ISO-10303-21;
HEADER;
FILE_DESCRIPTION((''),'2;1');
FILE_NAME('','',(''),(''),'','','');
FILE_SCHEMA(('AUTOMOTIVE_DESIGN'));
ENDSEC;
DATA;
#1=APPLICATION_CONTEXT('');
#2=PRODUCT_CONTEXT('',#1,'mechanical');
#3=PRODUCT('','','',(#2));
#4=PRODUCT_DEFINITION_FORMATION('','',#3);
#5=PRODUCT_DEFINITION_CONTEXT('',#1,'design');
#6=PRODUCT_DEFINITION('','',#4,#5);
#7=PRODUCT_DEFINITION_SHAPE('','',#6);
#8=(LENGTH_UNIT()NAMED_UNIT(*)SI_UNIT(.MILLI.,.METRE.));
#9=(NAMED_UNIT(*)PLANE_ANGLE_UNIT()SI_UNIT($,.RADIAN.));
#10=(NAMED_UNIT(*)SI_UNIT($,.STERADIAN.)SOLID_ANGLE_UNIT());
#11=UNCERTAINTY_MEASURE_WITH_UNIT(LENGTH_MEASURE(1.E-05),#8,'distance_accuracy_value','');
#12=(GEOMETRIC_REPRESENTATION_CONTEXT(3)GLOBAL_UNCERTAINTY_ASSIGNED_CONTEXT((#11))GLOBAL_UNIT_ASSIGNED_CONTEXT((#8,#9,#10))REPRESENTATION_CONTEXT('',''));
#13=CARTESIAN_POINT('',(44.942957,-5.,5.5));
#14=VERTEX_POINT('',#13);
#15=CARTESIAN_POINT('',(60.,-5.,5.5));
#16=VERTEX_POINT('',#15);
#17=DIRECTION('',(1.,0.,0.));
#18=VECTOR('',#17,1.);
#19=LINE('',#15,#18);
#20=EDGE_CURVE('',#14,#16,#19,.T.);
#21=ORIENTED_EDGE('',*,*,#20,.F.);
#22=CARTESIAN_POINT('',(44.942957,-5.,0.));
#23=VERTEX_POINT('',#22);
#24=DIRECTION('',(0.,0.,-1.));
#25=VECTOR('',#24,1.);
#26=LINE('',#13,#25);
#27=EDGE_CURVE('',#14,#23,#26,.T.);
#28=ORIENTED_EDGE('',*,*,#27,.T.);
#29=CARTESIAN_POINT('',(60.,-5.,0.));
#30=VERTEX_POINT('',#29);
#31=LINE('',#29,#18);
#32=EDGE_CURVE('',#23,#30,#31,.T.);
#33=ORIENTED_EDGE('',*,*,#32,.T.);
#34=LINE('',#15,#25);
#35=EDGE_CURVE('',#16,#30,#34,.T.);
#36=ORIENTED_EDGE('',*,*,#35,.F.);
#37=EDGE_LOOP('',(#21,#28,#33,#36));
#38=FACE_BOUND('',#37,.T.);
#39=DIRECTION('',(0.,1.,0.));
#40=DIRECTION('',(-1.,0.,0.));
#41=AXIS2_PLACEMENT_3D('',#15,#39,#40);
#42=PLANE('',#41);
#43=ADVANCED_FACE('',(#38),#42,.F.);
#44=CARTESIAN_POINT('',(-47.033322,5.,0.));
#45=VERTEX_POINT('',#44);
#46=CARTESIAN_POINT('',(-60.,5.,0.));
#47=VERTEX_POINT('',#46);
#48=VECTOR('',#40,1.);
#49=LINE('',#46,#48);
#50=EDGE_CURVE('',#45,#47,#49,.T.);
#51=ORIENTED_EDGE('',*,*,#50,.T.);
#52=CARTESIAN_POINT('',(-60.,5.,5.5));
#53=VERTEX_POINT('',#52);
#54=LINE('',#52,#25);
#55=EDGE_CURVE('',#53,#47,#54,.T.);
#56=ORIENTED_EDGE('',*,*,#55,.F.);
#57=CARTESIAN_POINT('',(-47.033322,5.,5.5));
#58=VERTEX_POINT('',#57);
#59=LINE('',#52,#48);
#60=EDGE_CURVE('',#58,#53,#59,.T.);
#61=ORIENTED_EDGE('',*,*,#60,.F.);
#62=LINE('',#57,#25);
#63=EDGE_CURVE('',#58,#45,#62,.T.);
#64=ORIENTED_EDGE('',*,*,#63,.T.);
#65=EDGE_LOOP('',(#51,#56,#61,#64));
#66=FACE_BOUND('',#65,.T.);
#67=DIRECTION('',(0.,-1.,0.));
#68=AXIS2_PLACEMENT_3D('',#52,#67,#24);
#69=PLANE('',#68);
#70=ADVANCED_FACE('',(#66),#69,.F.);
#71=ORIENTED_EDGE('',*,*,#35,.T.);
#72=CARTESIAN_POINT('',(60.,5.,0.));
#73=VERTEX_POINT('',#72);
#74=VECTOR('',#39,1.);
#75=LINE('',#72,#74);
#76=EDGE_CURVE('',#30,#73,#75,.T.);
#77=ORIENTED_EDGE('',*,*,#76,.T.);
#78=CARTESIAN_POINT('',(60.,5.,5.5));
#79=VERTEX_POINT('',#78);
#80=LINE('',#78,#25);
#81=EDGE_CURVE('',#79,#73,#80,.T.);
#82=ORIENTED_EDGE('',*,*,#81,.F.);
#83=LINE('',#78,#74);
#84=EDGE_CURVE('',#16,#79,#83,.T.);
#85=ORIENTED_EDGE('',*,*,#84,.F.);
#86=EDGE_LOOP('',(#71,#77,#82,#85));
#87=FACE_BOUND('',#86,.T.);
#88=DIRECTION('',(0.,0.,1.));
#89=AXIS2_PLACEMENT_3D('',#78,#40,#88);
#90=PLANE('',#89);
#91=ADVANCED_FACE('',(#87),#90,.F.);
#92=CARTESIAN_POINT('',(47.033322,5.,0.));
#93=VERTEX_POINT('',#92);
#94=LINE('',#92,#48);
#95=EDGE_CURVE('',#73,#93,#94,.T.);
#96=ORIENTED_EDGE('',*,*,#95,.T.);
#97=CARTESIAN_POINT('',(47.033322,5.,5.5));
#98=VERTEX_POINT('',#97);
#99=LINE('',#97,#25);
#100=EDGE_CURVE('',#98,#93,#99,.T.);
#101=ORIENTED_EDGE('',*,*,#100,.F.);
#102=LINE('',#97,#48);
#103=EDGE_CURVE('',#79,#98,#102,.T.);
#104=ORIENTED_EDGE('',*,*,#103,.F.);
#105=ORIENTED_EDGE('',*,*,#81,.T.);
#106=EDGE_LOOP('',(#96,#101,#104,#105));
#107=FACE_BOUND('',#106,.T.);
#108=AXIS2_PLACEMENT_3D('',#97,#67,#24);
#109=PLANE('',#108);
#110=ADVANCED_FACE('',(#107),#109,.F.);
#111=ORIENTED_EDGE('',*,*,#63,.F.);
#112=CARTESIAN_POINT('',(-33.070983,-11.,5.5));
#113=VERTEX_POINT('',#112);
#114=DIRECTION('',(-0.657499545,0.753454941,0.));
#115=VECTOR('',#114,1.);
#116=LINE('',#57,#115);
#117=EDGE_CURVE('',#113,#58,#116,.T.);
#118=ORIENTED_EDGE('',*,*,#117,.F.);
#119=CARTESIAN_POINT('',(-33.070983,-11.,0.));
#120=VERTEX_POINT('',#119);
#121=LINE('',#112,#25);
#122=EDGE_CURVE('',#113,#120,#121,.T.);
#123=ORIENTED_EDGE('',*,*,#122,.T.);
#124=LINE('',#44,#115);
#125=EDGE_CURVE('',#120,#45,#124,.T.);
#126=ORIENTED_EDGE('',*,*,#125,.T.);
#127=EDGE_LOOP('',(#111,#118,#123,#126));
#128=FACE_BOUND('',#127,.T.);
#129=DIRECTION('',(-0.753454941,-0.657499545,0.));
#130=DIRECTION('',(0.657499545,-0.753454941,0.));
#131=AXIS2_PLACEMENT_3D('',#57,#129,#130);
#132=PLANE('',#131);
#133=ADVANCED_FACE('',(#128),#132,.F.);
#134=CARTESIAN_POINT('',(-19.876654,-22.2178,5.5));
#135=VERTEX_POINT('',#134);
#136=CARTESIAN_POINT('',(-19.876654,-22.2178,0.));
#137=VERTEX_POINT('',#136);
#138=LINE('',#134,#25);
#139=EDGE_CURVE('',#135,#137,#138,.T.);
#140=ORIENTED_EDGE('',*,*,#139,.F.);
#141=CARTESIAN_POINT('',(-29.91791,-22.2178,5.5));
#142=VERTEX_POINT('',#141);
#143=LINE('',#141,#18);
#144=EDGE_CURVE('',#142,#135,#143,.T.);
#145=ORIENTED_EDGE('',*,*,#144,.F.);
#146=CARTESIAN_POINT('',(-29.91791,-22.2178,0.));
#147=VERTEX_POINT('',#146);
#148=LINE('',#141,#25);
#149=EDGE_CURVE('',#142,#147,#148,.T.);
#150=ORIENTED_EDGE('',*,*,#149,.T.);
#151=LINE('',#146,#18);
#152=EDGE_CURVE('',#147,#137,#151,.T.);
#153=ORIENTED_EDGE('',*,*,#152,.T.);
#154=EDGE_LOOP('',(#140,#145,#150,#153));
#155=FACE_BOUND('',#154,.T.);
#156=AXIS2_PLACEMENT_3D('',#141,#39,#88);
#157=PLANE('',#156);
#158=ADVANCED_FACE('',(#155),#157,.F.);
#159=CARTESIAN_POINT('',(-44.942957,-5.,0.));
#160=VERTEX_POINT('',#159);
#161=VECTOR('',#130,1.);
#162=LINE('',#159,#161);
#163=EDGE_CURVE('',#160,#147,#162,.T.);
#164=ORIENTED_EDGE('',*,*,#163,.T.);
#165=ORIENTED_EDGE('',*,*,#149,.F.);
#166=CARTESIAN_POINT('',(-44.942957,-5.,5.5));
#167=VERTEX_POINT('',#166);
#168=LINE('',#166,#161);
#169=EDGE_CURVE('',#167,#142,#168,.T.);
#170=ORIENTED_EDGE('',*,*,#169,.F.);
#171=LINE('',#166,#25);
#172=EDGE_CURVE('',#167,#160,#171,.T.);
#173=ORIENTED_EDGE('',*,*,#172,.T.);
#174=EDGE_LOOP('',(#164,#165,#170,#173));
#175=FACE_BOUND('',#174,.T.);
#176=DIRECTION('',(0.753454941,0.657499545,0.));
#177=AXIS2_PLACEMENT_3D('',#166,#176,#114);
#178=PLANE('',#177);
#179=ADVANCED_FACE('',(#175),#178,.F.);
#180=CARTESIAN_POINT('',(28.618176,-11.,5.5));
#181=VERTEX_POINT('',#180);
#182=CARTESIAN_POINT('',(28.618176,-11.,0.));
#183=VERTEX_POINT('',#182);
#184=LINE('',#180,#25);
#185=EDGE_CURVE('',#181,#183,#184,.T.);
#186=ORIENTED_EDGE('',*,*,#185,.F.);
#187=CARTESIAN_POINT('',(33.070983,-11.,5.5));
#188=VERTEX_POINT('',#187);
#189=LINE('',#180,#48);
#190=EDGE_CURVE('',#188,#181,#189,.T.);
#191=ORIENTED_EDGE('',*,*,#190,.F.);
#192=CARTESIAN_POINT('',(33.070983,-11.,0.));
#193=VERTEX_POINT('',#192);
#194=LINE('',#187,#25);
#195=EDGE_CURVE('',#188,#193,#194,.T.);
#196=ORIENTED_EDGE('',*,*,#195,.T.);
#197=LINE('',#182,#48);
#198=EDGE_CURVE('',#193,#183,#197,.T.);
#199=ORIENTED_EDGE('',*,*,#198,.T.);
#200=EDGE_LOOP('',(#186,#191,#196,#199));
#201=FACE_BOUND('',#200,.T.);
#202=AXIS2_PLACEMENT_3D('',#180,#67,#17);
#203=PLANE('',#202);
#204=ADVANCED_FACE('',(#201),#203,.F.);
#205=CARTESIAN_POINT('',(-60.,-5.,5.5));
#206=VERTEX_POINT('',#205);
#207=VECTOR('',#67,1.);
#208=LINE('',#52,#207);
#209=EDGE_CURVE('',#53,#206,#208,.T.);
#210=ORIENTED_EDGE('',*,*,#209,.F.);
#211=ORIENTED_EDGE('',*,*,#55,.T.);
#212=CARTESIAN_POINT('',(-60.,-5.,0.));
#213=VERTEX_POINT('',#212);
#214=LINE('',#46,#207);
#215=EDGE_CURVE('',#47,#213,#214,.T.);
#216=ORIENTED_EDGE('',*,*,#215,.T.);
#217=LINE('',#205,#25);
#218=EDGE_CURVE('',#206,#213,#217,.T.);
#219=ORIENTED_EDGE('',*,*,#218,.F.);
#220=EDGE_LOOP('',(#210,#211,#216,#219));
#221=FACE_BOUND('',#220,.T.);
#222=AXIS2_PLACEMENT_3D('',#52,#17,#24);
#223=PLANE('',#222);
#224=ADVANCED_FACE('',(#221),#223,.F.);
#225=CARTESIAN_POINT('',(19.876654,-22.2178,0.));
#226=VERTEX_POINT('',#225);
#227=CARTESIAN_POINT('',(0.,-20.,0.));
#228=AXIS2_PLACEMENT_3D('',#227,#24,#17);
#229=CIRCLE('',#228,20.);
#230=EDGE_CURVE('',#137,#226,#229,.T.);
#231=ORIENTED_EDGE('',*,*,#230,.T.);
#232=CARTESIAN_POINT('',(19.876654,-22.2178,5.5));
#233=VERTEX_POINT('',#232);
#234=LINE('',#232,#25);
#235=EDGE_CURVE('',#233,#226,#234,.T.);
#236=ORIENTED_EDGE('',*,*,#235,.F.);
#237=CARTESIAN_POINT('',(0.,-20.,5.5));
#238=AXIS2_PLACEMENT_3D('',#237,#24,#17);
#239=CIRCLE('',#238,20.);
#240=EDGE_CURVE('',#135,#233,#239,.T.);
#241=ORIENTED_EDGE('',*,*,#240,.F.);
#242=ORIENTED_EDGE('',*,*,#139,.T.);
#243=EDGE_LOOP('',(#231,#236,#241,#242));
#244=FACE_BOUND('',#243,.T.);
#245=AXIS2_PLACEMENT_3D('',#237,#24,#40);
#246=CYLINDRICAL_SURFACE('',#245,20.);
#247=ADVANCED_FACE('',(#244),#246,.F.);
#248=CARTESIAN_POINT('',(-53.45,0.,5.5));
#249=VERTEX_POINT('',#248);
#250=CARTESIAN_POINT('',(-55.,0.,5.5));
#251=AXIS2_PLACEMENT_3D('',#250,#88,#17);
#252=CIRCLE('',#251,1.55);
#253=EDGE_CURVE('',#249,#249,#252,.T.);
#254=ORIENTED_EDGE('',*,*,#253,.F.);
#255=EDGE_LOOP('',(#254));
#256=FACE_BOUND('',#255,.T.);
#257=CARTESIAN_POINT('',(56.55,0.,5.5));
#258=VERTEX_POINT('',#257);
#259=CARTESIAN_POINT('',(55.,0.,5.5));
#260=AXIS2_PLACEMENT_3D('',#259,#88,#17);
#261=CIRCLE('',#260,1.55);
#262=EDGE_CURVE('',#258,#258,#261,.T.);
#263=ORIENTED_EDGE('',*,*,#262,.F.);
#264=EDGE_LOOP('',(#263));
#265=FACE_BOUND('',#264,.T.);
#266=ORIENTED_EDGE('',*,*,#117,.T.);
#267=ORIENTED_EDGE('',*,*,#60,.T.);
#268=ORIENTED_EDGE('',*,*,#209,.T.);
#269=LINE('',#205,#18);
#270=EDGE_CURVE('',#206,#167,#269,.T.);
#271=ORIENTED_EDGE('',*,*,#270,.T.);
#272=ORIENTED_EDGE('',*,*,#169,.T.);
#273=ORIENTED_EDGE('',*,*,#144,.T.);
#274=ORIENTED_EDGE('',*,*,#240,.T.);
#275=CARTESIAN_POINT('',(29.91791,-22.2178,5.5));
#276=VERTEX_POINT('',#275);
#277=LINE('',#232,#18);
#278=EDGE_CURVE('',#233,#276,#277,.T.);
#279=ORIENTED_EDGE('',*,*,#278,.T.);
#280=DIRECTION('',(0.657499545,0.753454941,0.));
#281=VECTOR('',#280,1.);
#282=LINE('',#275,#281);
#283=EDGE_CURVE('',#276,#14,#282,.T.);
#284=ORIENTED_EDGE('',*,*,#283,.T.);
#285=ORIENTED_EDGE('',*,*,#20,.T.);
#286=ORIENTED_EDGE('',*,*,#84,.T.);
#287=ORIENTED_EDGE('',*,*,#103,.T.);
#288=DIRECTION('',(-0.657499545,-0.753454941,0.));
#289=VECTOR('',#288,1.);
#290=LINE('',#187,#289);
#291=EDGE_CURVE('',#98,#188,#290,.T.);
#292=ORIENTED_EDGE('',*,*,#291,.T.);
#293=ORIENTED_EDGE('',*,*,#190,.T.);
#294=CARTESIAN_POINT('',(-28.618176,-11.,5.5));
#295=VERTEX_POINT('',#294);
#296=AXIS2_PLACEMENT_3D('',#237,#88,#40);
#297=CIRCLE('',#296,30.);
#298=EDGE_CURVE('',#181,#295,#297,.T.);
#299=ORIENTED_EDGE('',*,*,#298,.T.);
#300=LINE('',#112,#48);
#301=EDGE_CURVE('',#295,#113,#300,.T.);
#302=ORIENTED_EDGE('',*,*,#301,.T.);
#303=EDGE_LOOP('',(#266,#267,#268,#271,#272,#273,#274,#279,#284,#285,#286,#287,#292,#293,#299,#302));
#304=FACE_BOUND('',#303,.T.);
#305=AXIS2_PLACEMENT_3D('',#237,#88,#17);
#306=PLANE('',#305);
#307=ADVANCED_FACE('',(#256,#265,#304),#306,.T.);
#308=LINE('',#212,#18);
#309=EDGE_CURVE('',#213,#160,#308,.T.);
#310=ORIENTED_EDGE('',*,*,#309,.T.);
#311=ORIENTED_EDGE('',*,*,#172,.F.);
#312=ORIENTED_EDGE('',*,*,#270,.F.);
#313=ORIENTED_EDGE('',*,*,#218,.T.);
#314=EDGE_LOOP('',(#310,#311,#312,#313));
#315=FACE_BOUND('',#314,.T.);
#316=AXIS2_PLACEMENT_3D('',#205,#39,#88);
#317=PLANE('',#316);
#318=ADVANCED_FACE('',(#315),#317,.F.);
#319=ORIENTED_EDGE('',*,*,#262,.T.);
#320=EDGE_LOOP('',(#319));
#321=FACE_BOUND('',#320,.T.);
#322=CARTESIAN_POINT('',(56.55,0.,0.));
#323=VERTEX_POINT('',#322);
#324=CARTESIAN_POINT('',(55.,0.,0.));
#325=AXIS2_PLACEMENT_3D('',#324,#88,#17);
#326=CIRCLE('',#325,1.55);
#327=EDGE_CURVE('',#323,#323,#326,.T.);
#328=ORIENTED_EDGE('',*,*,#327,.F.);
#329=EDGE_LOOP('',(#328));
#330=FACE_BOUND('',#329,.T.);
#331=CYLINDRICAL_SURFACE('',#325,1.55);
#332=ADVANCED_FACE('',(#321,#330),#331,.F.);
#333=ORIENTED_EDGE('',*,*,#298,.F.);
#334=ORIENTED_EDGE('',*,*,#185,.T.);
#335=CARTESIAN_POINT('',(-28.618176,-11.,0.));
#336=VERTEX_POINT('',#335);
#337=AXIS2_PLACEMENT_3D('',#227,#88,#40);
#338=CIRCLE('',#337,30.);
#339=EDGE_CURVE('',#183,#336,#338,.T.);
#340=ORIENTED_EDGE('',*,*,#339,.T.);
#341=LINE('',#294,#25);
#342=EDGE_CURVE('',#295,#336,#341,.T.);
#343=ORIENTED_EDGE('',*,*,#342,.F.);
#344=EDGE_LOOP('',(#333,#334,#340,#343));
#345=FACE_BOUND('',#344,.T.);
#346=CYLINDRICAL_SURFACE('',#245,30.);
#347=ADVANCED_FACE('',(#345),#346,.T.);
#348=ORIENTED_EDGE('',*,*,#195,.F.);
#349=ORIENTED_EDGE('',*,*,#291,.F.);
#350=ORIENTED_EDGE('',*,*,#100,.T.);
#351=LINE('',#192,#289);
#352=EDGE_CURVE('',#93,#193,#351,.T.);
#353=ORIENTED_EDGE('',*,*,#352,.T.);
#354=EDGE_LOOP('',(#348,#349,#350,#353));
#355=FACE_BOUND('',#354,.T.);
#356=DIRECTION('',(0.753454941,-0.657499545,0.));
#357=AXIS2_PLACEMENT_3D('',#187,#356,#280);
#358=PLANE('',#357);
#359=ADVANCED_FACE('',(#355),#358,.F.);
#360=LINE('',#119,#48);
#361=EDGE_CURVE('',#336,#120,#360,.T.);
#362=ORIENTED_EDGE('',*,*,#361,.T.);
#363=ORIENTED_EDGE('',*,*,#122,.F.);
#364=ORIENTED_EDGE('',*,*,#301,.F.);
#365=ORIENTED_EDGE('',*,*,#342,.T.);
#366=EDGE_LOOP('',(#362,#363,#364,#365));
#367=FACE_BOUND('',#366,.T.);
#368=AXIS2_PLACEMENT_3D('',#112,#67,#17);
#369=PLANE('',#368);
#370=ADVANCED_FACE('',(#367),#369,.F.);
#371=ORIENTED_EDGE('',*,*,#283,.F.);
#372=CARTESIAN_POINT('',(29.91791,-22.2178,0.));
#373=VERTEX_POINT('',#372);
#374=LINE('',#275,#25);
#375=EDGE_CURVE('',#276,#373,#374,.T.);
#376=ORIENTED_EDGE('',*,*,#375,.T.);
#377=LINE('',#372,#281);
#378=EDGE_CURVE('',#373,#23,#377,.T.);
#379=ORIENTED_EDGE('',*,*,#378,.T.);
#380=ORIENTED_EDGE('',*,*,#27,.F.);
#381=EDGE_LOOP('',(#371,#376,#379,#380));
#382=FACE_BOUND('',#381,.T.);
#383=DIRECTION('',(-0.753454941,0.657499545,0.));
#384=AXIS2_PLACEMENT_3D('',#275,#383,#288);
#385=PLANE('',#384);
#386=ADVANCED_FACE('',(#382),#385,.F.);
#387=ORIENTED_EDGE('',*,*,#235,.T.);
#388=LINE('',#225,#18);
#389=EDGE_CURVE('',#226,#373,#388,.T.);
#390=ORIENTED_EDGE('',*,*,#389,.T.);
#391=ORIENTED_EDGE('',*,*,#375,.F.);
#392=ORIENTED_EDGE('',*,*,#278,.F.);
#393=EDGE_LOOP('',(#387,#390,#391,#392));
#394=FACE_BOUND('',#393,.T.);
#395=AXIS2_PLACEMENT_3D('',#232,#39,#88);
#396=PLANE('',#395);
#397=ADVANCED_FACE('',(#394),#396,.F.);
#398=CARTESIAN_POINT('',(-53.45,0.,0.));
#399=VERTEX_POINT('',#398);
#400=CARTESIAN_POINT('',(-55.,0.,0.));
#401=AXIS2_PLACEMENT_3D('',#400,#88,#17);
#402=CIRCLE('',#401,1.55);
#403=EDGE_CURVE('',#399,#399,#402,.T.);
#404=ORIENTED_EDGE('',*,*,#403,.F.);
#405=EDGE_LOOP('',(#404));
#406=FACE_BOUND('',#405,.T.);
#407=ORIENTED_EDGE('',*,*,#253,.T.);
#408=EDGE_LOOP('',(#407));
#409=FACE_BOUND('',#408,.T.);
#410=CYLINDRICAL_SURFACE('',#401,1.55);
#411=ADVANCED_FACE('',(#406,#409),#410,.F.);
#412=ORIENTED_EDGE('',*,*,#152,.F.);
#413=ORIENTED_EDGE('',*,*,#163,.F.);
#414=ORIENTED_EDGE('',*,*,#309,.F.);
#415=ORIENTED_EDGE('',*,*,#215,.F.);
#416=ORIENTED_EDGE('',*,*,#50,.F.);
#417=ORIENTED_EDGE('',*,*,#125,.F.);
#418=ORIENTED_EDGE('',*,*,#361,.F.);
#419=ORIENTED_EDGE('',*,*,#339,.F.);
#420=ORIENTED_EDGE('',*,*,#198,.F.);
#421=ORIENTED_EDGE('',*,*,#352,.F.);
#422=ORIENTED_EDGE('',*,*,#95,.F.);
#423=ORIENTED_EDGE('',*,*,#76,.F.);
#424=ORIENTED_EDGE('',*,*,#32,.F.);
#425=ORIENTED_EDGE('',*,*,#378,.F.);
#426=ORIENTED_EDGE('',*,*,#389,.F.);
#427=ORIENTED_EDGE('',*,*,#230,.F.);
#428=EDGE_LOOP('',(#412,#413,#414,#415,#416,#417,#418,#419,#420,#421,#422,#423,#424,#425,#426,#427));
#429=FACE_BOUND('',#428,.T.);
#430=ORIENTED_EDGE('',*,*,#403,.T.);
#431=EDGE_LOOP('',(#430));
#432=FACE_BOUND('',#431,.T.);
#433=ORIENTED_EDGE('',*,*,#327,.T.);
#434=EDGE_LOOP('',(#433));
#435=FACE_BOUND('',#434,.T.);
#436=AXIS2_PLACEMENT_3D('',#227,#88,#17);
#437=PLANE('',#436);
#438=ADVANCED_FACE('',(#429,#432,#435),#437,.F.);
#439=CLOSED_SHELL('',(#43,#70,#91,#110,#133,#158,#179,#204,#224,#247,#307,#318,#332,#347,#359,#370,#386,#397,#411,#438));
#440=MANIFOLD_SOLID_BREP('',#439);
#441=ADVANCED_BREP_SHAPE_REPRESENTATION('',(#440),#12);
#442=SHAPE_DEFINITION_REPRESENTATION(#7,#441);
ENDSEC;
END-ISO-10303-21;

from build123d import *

# Parameters (mm, degrees)
EXTRUDE_1_DEPTH     = 5.5
SKETCH_2_R          = 1.55
CUT_EXTRUDE_1_DEPTH = 65.217448119


with BuildPart() as part:
    # ｽｹｯﾁ1 → ﾎﾞｽ - 押し出し1 (new body)
    with BuildSketch(Plane.XY):
        with BuildLine():
            Line((-60, 5), (-47.033321686, 5))
            Line((-47.033321686, 5), (-33.07098347, -11))
            Line((-33.07098347, -11), (-28.618176043, -11))
            ThreePointArc((-28.618176043, -11), (0, 10), (28.618176043, -11))
            Line((28.618176043, -11), (33.07098347, -11))
            Line((33.07098347, -11), (47.033321686, 5))
            Line((47.033321686, 5), (60, 5))
            Line((60, 5), (60, -5))
            Line((60, -5), (44.942957201, -5))
            Line((44.942957201, -5), (29.917910397, -22.217800138))
            Line((29.917910397, -22.217800138), (19.876653706, -22.217800138))
            ThreePointArc((19.876653706, -22.217800138), (0, 0), (-19.876653706, -22.217800138))
            Line((-19.876653706, -22.217800138), (-29.917910397, -22.217800138))
            Line((-29.917910397, -22.217800138), (-44.942957201, -5))
            Line((-44.942957201, -5), (-60, -5))
            Line((-60, -5), (-60, 5))
        make_face()
    extrude(amount=EXTRUDE_1_DEPTH)

    # ｽｹｯﾁ2 → ｶｯﾄ - 押し出し1 (cut, through all)
    with BuildSketch(Plane.XY.offset(5.5)):
        with Locations((-55, 0)):
            Circle(SKETCH_2_R)
        with Locations((55, 0)):
            Circle(SKETCH_2_R)
    extrude(amount=-CUT_EXTRUDE_1_DEPTH, mode=Mode.SUBTRACT)


solid = part.part
